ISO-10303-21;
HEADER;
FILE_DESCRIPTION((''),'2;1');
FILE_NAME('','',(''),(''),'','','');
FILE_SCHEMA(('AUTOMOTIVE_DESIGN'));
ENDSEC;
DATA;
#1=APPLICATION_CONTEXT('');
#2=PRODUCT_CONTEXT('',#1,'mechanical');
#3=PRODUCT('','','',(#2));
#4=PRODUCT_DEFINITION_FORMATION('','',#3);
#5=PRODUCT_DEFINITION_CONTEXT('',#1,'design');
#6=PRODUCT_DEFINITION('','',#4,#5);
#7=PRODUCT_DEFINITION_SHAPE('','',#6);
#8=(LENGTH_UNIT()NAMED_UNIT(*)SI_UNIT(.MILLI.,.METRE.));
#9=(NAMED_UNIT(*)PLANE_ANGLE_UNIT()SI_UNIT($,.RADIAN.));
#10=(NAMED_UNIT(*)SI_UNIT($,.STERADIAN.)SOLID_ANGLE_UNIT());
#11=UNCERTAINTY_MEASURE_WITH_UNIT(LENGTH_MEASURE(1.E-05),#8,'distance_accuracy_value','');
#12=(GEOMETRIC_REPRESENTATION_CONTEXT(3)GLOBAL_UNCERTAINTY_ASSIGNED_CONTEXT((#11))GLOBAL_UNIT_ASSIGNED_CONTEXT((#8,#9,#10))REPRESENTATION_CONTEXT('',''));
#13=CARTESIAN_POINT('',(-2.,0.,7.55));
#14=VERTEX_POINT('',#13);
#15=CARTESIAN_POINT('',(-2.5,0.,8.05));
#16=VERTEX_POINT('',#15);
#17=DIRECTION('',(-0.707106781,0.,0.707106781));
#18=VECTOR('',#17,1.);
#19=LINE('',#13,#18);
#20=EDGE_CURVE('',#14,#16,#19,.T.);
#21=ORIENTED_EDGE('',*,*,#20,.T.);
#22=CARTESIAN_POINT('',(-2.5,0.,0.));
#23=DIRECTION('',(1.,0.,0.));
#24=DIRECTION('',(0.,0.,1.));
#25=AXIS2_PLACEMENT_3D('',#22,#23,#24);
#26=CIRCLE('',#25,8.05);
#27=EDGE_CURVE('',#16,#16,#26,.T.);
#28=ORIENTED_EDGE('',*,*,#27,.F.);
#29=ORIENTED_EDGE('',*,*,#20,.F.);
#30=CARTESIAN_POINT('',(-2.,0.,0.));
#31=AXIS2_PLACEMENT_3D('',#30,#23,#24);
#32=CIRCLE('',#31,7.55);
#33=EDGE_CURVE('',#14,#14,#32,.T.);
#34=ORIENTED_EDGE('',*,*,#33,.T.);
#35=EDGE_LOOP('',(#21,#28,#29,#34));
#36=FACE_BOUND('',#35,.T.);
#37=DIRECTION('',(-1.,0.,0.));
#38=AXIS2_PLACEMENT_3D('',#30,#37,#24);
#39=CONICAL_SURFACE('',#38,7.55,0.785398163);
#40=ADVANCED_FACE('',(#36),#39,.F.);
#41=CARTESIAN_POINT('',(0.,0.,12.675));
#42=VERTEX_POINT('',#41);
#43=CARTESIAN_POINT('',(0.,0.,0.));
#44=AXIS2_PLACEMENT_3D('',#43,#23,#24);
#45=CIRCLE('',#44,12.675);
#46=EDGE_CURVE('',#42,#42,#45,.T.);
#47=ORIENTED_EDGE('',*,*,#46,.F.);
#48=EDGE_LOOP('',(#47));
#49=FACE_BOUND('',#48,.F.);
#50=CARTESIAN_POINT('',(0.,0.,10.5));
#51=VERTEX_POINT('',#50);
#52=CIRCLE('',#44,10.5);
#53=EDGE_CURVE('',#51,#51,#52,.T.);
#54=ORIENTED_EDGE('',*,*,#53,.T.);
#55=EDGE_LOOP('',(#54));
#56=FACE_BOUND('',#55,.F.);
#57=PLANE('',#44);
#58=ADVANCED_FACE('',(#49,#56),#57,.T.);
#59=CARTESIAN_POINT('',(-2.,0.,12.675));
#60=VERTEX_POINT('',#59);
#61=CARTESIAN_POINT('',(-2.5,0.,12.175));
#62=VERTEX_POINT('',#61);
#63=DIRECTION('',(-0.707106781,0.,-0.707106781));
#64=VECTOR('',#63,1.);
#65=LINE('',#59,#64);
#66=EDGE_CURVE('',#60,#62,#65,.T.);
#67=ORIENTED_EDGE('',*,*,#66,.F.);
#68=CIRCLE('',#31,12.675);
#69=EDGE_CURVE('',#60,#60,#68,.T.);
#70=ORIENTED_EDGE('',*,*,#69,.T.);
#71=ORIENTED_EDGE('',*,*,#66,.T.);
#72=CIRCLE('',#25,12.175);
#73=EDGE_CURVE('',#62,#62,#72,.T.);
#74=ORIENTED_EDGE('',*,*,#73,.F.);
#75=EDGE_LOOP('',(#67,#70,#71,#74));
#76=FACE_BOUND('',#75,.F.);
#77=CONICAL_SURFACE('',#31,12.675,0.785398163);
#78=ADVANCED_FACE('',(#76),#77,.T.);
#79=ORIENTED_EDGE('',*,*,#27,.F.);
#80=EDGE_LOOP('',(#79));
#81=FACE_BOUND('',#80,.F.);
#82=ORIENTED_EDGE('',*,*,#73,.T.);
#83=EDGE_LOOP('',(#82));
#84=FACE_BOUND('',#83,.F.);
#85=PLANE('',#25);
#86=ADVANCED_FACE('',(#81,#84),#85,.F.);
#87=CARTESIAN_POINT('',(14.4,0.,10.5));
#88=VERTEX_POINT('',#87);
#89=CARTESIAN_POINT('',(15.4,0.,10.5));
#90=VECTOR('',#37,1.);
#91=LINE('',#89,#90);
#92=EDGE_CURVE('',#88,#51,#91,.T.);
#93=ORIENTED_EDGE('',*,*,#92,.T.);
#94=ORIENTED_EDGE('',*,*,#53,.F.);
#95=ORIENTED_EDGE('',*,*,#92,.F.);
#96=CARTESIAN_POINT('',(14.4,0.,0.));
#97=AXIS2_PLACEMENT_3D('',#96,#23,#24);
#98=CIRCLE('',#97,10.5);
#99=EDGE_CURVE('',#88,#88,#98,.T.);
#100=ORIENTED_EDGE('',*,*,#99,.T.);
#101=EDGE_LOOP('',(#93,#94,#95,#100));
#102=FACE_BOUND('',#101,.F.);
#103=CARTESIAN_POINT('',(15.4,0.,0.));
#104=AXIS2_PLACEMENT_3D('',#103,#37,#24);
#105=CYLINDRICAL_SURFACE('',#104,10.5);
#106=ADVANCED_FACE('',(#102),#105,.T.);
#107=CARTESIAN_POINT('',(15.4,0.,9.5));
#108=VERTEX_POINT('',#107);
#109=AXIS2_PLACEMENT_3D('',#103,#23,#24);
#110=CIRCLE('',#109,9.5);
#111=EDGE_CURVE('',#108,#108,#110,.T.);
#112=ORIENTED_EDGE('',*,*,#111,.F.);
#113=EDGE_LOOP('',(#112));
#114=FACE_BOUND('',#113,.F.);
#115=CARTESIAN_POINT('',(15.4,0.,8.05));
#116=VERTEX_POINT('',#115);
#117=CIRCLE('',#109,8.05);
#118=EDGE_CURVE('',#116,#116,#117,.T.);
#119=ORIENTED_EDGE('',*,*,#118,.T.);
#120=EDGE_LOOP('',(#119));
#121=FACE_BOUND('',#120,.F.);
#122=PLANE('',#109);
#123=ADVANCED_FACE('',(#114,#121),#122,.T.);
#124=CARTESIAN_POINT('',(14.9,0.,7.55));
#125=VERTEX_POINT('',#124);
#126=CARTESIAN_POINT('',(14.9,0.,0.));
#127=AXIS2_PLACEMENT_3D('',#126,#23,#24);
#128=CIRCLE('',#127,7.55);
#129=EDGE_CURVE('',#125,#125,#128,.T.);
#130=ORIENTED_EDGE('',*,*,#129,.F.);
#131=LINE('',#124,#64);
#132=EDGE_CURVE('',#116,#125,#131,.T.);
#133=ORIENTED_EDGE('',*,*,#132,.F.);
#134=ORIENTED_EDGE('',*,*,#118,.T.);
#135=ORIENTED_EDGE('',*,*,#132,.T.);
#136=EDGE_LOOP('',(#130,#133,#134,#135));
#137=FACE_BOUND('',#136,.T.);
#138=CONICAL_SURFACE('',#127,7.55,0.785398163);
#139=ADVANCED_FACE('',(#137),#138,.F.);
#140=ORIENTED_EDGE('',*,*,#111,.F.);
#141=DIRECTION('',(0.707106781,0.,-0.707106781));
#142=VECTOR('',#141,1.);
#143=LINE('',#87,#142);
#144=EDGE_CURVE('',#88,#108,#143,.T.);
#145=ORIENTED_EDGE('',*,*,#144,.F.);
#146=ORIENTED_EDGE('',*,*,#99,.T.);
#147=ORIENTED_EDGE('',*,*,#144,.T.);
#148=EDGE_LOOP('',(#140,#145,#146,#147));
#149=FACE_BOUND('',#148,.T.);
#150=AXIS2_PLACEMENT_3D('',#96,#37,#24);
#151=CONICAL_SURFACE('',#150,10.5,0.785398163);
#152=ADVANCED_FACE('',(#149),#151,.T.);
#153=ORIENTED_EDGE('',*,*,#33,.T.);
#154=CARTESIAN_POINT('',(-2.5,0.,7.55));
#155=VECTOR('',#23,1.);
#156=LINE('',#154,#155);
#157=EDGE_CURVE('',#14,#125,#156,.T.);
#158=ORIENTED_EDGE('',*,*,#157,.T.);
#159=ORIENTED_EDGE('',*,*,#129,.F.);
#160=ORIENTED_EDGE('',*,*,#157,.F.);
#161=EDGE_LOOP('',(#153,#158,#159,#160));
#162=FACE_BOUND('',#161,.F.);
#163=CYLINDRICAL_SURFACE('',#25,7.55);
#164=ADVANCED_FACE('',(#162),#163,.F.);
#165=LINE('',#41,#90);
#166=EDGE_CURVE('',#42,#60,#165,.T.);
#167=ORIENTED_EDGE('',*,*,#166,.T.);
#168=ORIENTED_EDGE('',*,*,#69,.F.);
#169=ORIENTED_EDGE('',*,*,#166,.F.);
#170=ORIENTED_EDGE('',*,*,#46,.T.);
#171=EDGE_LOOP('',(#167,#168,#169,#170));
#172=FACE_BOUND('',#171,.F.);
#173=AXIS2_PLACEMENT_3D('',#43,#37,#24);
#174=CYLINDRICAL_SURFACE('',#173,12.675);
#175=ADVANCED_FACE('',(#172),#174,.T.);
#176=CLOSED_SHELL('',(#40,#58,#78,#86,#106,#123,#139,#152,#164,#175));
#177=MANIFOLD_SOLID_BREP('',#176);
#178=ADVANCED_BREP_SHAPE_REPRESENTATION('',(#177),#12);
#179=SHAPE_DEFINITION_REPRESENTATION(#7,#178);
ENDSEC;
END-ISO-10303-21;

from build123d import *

# Parameters (mm, degrees)
F2_SIZE = 1
F3_SIZE = 0.5


with BuildPart() as f1:
    # F0 (on Front) → F1 (revolve)
    with BuildSketch(Plane.XZ):
        Polygon((15.4, 10.5), (0, 10.5), (0, 12.675), (-2.5, 12.675), (-2.5, 7.55), (15.4, 7.55), align=None)
    revolve(axis=Axis((7.2899, 0, 0), (1, 0, 0)))

    # F2
    f2_edges = [f1.edges().sort_by_distance(p)[0] for p in [
        (15.4, 0, -10.5),
    ]]
    chamfer(f2_edges, length=F2_SIZE)

    # F3
    f3_edges = [f1.edges().sort_by_distance(p)[0] for p in [
        (-2.5, 0, -12.675),
        (-2.5, 0, -7.55),
        (15.4, 0, -7.55),
    ]]
    chamfer(f3_edges, length=F3_SIZE)


solid = f1.part
